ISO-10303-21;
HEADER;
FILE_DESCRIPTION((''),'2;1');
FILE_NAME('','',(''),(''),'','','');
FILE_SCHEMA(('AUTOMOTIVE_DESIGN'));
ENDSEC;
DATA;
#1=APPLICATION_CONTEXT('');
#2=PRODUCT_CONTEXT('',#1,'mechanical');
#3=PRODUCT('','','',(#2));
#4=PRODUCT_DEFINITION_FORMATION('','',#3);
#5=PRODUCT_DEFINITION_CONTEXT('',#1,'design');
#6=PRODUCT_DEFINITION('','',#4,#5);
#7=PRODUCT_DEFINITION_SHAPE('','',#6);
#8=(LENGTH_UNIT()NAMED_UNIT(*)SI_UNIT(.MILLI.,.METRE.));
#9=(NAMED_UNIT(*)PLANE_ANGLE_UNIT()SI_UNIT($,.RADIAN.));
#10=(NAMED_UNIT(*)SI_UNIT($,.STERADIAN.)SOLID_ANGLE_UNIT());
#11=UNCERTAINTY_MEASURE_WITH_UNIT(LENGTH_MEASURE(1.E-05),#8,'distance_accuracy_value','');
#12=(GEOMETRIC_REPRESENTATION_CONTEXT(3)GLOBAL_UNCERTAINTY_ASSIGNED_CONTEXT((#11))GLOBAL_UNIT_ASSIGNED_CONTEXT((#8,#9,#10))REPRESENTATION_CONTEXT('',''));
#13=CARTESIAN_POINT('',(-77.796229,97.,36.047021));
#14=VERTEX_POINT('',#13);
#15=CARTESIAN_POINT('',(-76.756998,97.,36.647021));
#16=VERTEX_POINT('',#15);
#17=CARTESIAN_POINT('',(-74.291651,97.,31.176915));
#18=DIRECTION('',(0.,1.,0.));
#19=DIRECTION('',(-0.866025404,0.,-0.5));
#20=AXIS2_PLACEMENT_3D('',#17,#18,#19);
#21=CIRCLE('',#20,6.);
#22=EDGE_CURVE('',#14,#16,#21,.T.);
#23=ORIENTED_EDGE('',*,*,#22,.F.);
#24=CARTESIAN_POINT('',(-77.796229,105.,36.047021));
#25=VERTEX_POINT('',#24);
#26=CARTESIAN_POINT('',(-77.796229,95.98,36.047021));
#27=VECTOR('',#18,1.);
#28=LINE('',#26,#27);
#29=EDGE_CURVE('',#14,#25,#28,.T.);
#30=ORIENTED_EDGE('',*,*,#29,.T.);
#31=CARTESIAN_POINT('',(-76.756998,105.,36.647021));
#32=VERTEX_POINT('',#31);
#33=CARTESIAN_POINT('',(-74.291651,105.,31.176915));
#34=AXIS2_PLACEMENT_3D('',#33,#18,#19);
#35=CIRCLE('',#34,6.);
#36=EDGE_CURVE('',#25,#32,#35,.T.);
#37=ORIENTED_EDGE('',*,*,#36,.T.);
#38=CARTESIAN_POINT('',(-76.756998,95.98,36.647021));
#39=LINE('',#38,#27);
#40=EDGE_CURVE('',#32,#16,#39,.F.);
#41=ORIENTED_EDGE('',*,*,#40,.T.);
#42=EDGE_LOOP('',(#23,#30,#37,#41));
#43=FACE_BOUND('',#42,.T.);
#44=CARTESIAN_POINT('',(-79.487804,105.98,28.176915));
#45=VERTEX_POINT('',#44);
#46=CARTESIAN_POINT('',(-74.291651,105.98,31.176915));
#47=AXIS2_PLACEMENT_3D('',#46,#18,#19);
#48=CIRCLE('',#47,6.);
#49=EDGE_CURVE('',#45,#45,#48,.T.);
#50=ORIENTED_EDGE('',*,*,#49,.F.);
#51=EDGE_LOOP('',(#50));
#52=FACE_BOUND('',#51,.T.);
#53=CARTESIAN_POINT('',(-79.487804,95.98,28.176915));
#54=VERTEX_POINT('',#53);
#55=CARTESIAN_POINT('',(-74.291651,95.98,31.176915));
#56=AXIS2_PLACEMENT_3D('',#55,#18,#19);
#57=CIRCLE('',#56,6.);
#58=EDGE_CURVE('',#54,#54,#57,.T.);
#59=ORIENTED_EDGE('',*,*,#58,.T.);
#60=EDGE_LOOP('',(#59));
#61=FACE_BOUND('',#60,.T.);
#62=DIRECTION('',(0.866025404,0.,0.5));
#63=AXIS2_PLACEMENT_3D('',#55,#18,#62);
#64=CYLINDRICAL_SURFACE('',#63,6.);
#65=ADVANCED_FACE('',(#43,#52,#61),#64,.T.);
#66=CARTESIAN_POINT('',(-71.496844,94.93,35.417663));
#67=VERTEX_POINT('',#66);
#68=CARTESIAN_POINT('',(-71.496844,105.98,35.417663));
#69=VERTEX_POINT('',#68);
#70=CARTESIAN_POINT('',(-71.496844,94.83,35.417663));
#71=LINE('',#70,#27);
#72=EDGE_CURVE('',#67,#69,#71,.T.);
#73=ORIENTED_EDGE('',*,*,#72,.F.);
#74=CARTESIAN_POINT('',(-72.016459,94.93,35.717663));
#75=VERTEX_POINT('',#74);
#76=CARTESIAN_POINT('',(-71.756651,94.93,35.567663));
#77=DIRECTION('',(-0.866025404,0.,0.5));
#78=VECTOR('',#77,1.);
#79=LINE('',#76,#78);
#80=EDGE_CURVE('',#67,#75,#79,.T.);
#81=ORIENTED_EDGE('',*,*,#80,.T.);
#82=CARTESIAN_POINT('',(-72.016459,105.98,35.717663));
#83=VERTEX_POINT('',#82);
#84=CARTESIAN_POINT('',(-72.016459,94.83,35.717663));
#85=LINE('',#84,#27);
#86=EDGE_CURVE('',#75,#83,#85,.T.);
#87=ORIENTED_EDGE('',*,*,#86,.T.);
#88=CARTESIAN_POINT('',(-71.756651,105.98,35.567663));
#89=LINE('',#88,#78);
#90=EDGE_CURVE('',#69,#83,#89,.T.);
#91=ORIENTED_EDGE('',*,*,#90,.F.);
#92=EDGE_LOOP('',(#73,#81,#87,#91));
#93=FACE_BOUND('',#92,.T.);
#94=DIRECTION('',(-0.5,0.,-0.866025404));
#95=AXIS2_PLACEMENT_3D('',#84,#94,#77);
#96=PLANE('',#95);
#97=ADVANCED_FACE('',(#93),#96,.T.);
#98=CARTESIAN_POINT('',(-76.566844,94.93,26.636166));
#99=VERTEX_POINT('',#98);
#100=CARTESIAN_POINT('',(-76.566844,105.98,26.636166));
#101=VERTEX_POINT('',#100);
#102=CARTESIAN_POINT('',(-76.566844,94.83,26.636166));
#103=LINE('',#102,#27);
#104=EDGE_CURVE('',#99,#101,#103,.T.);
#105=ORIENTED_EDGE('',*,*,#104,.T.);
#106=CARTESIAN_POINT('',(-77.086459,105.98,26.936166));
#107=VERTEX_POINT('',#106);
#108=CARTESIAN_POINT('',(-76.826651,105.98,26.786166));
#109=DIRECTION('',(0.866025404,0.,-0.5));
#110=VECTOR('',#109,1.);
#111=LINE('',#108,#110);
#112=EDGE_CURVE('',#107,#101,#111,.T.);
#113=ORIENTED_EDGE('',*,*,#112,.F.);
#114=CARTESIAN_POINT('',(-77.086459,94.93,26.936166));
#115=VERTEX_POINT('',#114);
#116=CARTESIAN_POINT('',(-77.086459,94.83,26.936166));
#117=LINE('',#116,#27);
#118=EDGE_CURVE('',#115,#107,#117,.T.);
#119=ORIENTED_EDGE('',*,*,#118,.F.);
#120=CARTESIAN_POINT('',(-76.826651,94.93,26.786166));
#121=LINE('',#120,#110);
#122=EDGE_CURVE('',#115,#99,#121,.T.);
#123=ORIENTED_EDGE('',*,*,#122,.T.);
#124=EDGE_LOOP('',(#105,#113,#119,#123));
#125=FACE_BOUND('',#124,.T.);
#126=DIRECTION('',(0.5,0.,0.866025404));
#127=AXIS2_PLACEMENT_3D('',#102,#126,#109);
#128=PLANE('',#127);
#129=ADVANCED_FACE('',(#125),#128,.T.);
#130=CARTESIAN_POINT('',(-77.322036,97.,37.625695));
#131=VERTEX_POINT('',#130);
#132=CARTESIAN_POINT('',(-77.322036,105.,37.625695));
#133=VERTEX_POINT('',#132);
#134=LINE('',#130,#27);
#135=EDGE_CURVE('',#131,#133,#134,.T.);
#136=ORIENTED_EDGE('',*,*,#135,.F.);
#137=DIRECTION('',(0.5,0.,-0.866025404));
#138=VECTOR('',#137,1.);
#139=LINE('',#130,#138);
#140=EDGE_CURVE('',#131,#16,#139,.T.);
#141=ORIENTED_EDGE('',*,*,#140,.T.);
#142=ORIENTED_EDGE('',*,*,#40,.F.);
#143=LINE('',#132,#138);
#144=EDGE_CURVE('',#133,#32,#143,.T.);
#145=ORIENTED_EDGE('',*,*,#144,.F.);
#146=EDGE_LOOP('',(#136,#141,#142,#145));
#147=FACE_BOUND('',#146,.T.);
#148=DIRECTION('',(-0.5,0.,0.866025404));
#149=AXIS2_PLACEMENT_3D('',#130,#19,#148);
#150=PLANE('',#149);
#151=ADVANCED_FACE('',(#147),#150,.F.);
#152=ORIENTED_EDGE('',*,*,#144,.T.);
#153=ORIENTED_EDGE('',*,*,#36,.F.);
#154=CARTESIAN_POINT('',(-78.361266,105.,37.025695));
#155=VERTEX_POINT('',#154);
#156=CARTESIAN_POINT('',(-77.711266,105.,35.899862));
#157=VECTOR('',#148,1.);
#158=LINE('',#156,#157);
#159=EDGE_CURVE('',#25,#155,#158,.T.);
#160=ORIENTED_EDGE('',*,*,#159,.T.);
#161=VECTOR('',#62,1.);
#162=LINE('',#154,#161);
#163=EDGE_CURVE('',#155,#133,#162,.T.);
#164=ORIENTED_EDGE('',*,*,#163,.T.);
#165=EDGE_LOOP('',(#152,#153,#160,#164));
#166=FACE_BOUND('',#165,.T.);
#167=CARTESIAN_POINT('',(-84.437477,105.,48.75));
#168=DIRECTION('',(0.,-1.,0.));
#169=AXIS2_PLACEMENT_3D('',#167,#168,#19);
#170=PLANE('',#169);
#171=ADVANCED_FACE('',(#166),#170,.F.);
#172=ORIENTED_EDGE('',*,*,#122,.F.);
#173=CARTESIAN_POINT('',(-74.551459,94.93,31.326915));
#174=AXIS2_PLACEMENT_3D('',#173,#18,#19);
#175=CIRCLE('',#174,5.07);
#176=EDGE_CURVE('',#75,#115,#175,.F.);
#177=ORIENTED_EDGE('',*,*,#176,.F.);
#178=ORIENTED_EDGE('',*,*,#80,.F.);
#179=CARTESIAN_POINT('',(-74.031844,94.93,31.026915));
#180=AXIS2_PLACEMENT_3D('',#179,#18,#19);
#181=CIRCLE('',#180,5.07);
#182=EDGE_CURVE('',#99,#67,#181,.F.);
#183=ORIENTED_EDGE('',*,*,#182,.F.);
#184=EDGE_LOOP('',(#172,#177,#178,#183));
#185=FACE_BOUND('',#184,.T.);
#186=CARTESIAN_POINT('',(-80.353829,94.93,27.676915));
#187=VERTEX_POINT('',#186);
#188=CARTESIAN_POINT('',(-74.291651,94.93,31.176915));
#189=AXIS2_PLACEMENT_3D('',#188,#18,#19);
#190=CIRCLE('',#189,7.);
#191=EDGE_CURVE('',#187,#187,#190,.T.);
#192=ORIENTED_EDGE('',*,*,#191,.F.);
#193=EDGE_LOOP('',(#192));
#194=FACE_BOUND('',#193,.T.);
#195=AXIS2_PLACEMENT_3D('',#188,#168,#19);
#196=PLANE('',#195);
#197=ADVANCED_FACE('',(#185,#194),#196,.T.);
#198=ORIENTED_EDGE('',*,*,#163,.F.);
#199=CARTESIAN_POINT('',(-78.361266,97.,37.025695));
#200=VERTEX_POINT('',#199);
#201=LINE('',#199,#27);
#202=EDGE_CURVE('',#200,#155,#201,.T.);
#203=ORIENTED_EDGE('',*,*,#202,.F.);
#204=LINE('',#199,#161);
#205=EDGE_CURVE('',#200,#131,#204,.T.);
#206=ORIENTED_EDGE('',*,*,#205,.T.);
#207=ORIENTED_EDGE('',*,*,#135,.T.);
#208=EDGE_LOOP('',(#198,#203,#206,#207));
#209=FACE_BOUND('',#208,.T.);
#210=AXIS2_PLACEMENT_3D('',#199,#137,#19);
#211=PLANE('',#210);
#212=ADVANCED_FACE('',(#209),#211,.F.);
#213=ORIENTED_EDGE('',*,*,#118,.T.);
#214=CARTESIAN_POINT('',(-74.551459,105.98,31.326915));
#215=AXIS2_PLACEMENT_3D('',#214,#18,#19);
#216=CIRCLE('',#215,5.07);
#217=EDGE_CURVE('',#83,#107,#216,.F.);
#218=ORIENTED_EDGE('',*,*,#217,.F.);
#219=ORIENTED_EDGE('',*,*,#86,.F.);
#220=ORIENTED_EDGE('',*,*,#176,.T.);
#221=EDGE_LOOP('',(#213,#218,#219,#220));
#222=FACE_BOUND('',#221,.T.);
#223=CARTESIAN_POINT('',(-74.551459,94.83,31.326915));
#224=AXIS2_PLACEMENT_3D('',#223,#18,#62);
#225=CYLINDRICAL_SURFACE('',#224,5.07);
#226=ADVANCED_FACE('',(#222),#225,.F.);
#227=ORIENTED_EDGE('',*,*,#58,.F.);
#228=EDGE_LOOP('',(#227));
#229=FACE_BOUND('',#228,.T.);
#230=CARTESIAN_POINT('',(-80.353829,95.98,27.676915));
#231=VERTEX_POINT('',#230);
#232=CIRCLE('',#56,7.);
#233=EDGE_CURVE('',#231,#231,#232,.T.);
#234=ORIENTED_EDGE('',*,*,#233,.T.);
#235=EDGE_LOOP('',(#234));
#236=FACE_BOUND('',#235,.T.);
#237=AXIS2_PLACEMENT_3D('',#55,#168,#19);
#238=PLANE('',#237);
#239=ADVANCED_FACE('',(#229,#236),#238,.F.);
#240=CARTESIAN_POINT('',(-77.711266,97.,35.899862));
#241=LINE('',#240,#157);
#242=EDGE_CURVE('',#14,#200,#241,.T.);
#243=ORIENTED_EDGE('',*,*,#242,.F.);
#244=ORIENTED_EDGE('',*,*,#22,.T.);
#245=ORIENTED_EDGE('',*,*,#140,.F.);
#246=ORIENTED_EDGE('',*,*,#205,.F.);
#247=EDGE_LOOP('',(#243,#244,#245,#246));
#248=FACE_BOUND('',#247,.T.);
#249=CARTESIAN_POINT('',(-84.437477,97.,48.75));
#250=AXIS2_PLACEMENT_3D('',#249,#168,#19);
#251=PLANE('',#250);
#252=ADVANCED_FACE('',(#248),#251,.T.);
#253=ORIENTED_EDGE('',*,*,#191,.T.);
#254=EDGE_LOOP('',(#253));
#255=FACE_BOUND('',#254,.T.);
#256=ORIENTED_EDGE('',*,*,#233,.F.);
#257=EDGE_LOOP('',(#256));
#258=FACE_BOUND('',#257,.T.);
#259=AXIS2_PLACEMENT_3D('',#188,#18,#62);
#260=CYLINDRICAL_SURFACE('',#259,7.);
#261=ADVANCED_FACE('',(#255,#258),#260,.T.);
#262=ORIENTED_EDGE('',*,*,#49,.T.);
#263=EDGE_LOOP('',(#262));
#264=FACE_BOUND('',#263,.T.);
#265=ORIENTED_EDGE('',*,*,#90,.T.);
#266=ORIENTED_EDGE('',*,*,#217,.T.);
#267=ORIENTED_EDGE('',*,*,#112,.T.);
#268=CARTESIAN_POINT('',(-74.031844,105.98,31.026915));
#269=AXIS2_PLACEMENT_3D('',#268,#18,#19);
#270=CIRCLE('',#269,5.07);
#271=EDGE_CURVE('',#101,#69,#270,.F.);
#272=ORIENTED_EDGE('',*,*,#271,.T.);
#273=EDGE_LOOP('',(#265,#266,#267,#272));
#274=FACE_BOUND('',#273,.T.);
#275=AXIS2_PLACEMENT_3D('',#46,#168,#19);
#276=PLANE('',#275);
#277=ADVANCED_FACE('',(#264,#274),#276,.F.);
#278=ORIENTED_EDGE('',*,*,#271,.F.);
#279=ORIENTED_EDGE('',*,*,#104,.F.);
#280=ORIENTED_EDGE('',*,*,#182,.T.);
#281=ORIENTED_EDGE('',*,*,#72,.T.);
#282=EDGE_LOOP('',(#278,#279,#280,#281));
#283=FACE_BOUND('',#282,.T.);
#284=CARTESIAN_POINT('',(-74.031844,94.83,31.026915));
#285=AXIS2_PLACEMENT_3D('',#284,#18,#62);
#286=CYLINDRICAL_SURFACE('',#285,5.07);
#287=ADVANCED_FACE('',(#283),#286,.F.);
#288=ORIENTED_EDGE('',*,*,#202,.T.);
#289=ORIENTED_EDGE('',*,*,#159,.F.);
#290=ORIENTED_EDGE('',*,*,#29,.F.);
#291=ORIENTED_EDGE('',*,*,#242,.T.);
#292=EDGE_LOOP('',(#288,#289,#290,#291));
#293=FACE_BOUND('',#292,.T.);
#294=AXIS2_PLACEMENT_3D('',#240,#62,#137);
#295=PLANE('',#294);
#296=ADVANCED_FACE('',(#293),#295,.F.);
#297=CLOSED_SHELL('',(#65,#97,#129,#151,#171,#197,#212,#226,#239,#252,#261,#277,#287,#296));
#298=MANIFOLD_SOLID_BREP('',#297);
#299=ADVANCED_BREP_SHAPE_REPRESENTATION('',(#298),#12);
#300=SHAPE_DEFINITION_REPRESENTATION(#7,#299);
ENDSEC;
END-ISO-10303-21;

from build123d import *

# Parameters (mm, degrees)
GUIDE_BUSH_BARREL_SKETCH_R      = 6
GUIDE_BUSH_BARREL_DEPTH         = 10
GUIDE_BUSH_FLANGE_SKETCH_R      = 7
GUIDE_BUSH_FLANGE_DEPTH         = 1.05
DIRECTIONAL_RUNNING_SLOT_DEPTH  = 11.25
ANTIROTATION_GUIDE_KEY_SKETCH_W = 1.3
ANTIROTATION_GUIDE_KEY_SKETCH_H = 1.2
ANTIROTATION_GUIDE_KEY_DEPTH    = 8
MOVE2_ANGLE                     = 120


with BuildPart() as part:
    # Guide bush barrel sketch → Guide bush barrel (new body)
    with BuildSketch(Plane(origin=(0, -105.98, 0), x_dir=(1, 0, 0), z_dir=(0, 1, 0))):
        with Locations(Location((-20.291651246, 0, 0), (0, 0, 270))):
            Circle(GUIDE_BUSH_BARREL_SKETCH_R)
    extrude(amount=GUIDE_BUSH_BARREL_DEPTH)

    # Guide bush flange sketch → Guide bush flange (add)
    with BuildSketch(Plane(origin=(0, -95.98, 0), x_dir=(1, 0, 0), z_dir=(0, 1, 0))):
        with Locations(Location((-20.291651246, 0, 0), (0, 0, 270))):
            Circle(GUIDE_BUSH_FLANGE_SKETCH_R)
    extrude(amount=GUIDE_BUSH_FLANGE_DEPTH)

    # Directional running slot sketch → Directional running slot (cut)
    with BuildSketch(Plane(origin=(0, -106.08, 0), x_dir=(1, 0, 0), z_dir=(0, 1, 0))):
        with BuildLine():
            Line((-23.086458867, -4.240748797), (-22.566843625, -4.540748797))
            ThreePointArc((-22.566843625, -4.540748797), (-15.641094828, -2.685), (-17.496843625, 4.240748797))
            Line((-17.496843625, 4.240748797), (-18.016458867, 4.540748797))
            ThreePointArc((-18.016458867, 4.540748797), (-24.942207664, 2.685), (-23.086458867, -4.240748797))
        make_face()
    extrude(amount=DIRECTIONAL_RUNNING_SLOT_DEPTH, mode=Mode.SUBTRACT)

    # Antirotation guide key sketch → Antirotation guide key (add)
    with BuildSketch(Plane(origin=(0, -105, 0), x_dir=(1, 0, 0), z_dir=(0, 1, 0))):
        with Locations((-13.841651246, 0)):
            Rectangle(ANTIROTATION_GUIDE_KEY_SKETCH_W, ANTIROTATION_GUIDE_KEY_SKETCH_H)
    extrude(amount=ANTIROTATION_GUIDE_KEY_DEPTH)


with BuildPart() as part_1:
    # Move1: moved
    add(part.part.moved(Location((56.291651246, 0, 0))))


with BuildPart() as part_2:
    # Move2: moved
    add(part_1.part.rotate(Axis((0, 0, 0), (0, -1, 0)), MOVE2_ANGLE))


with BuildPart() as part_3:
    # Move3: moved
    add(part_2.part.moved(Location((-56.291651246, 0, 0))))


with BuildPart() as body_2:
    # Mirror1: mirrored copy
    add(part_3.part.mirror(Plane(origin=(0, 0, 0), x_dir=(0, 0, 1), z_dir=(0, -1, 0))))


solid = body_2.part
